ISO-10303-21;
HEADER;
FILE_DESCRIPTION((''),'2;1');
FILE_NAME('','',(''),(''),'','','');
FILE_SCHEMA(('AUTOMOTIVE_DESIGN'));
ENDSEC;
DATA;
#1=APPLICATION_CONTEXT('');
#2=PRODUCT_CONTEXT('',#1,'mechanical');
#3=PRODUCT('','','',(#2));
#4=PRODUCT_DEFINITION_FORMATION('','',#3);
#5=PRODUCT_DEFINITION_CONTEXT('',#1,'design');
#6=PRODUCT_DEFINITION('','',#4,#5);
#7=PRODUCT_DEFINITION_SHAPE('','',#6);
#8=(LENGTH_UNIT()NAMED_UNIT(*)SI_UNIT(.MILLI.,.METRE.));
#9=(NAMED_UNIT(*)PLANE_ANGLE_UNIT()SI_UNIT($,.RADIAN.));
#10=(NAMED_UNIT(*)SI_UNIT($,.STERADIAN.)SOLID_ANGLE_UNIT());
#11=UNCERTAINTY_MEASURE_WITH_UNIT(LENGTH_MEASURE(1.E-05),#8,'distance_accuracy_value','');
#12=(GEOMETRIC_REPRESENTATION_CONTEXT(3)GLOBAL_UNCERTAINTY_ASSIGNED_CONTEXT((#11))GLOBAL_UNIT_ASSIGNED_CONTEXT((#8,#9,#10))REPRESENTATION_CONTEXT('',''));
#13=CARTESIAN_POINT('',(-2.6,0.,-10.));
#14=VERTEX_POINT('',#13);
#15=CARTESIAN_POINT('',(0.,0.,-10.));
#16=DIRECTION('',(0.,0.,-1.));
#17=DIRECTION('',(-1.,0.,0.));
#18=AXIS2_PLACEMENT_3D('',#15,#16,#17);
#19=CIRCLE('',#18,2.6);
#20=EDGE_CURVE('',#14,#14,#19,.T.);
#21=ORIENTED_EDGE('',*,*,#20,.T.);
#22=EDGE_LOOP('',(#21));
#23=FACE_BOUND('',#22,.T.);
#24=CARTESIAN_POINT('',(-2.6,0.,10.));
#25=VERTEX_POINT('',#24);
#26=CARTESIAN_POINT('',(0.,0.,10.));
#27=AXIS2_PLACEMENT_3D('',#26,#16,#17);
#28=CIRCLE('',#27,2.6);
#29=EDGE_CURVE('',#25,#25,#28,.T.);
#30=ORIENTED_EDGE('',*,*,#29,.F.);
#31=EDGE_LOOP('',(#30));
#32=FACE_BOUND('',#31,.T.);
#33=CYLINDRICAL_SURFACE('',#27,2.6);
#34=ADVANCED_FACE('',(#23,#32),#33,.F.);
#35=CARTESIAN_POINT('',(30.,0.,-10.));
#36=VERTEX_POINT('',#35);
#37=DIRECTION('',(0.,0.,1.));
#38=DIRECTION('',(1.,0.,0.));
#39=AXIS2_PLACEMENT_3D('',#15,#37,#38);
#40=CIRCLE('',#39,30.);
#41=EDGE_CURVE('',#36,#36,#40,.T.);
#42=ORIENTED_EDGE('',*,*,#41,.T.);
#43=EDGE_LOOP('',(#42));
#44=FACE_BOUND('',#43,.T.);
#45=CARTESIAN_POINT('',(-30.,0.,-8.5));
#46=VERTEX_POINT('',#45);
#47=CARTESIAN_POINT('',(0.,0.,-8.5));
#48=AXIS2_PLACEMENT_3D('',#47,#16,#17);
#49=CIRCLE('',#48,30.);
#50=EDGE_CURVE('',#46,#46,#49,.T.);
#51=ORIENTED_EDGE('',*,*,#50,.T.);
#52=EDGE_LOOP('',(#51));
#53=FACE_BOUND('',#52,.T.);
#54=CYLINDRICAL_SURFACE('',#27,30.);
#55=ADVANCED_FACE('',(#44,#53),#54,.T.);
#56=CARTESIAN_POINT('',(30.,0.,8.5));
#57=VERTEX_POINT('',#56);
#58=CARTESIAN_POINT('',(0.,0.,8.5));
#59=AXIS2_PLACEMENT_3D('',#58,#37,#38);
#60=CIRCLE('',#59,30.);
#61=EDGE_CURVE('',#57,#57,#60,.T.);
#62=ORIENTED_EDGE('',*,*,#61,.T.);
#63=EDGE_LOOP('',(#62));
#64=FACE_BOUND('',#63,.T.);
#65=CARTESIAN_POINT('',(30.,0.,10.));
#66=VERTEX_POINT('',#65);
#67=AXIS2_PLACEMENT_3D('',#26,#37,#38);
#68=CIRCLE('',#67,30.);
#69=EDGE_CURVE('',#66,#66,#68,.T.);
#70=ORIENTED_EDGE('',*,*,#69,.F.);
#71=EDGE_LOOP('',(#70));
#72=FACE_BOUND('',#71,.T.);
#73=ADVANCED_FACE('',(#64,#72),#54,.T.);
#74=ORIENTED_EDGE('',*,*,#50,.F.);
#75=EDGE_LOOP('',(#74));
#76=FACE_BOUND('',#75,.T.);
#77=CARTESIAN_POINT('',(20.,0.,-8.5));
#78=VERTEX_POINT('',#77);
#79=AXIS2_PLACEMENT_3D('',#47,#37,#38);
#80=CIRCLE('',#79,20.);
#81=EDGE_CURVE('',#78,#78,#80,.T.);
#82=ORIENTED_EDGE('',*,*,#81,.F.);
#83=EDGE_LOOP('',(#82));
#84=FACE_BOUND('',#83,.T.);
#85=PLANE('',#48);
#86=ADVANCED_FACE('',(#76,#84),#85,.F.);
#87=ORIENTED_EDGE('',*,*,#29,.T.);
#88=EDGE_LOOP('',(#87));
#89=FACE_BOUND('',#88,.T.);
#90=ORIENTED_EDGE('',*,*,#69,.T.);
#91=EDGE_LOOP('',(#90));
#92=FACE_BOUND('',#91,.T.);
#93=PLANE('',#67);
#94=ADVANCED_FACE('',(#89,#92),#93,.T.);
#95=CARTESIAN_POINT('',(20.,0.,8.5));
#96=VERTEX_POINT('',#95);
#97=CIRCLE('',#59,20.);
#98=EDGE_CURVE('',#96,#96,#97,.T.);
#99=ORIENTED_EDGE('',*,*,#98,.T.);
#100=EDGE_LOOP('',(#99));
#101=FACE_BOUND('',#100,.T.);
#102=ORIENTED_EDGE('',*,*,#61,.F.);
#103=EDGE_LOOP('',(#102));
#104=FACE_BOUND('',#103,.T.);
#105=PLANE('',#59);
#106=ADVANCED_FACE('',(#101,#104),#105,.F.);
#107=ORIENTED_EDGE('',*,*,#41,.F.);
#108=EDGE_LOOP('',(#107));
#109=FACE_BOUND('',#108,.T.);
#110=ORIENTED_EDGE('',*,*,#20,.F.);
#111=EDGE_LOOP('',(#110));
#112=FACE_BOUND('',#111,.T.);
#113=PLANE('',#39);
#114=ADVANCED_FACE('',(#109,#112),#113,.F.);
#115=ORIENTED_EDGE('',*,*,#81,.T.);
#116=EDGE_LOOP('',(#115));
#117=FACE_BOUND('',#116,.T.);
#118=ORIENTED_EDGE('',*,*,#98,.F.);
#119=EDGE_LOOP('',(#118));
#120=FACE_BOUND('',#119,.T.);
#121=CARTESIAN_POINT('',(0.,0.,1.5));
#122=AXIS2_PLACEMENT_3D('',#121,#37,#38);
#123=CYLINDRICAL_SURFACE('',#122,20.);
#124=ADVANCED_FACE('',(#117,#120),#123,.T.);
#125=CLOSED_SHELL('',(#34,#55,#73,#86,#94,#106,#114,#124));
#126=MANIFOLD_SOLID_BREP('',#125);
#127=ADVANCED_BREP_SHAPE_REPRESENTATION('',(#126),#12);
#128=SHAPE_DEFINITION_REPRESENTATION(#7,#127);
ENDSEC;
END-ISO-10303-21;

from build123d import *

# Parameters (mm, degrees)
SKETCH1_R               = 30
SKETCH1_R_2             = 20
BOSS_EXTRUDE1_DEPTH     = 10
SKETCH2_OUTSIDE_W       = 79.436
SKETCH2_OUTSIDE_H       = 79.436
SKETCH2_OUTSIDE_R       = 20
CUT_EXTRUDE1_DEPTH      = 3.5
CUT_EXTRUDE3_DEPTH      = 47.904157598
CUT_EXTRUDE3_DEPTH_BACK = 47.904157598
SKETCH4_R               = 2.6
SKETCH5_R               = 30
SKETCH5_R_2             = 20
CUT_EXTRUDE4_DEPTH      = 3


with BuildPart() as part:
    # Sketch1 → Boss-Extrude1 (new, symmetric)
    # profile 1 of 2: a face of its own
    with BuildSketch(Plane.XY):
        Circle(SKETCH1_R)
        Circle(SKETCH1_R_2, mode=Mode.SUBTRACT)
    # profile 2 of 2: a face of its own
    with BuildSketch(Plane.XY):
        Circle(SKETCH1_R_2)
    extrude(amount=BOSS_EXTRUDE1_DEPTH, both=True)

    # Sketch2 outside → Cut-Extrude1 (cut, symmetric)
    with BuildSketch(Plane.XY.offset(5)):
        Rectangle(SKETCH2_OUTSIDE_W, SKETCH2_OUTSIDE_H)
        Circle(SKETCH2_OUTSIDE_R, mode=Mode.SUBTRACT)
    cut_extrude1 = extrude(amount=CUT_EXTRUDE1_DEPTH, both=True, mode=Mode.SUBTRACT)

    # Mirror1: Cut-Extrude1 across plane
    add(cut_extrude1.mirror(Plane.XY), mode=Mode.SUBTRACT)

    # Sketch4 → Cut-Extrude3 (cut, two sides: drawn at the far end of the back side and taken through both)
    with BuildSketch(Plane(origin=(0, 0, -10), x_dir=(-1, 0, 0), z_dir=(0, 0, -1)).offset(-CUT_EXTRUDE3_DEPTH_BACK)):
        Circle(SKETCH4_R)
    extrude(amount=CUT_EXTRUDE3_DEPTH + CUT_EXTRUDE3_DEPTH_BACK, mode=Mode.SUBTRACT)

    # Sketch5 → Cut-Extrude4 (cut)
    with BuildSketch(Plane.XY.offset(1.5)):
        Circle(SKETCH5_R)
        Circle(SKETCH5_R_2, mode=Mode.SUBTRACT)
    extrude(amount=-CUT_EXTRUDE4_DEPTH, mode=Mode.SUBTRACT)


solid = part.part
